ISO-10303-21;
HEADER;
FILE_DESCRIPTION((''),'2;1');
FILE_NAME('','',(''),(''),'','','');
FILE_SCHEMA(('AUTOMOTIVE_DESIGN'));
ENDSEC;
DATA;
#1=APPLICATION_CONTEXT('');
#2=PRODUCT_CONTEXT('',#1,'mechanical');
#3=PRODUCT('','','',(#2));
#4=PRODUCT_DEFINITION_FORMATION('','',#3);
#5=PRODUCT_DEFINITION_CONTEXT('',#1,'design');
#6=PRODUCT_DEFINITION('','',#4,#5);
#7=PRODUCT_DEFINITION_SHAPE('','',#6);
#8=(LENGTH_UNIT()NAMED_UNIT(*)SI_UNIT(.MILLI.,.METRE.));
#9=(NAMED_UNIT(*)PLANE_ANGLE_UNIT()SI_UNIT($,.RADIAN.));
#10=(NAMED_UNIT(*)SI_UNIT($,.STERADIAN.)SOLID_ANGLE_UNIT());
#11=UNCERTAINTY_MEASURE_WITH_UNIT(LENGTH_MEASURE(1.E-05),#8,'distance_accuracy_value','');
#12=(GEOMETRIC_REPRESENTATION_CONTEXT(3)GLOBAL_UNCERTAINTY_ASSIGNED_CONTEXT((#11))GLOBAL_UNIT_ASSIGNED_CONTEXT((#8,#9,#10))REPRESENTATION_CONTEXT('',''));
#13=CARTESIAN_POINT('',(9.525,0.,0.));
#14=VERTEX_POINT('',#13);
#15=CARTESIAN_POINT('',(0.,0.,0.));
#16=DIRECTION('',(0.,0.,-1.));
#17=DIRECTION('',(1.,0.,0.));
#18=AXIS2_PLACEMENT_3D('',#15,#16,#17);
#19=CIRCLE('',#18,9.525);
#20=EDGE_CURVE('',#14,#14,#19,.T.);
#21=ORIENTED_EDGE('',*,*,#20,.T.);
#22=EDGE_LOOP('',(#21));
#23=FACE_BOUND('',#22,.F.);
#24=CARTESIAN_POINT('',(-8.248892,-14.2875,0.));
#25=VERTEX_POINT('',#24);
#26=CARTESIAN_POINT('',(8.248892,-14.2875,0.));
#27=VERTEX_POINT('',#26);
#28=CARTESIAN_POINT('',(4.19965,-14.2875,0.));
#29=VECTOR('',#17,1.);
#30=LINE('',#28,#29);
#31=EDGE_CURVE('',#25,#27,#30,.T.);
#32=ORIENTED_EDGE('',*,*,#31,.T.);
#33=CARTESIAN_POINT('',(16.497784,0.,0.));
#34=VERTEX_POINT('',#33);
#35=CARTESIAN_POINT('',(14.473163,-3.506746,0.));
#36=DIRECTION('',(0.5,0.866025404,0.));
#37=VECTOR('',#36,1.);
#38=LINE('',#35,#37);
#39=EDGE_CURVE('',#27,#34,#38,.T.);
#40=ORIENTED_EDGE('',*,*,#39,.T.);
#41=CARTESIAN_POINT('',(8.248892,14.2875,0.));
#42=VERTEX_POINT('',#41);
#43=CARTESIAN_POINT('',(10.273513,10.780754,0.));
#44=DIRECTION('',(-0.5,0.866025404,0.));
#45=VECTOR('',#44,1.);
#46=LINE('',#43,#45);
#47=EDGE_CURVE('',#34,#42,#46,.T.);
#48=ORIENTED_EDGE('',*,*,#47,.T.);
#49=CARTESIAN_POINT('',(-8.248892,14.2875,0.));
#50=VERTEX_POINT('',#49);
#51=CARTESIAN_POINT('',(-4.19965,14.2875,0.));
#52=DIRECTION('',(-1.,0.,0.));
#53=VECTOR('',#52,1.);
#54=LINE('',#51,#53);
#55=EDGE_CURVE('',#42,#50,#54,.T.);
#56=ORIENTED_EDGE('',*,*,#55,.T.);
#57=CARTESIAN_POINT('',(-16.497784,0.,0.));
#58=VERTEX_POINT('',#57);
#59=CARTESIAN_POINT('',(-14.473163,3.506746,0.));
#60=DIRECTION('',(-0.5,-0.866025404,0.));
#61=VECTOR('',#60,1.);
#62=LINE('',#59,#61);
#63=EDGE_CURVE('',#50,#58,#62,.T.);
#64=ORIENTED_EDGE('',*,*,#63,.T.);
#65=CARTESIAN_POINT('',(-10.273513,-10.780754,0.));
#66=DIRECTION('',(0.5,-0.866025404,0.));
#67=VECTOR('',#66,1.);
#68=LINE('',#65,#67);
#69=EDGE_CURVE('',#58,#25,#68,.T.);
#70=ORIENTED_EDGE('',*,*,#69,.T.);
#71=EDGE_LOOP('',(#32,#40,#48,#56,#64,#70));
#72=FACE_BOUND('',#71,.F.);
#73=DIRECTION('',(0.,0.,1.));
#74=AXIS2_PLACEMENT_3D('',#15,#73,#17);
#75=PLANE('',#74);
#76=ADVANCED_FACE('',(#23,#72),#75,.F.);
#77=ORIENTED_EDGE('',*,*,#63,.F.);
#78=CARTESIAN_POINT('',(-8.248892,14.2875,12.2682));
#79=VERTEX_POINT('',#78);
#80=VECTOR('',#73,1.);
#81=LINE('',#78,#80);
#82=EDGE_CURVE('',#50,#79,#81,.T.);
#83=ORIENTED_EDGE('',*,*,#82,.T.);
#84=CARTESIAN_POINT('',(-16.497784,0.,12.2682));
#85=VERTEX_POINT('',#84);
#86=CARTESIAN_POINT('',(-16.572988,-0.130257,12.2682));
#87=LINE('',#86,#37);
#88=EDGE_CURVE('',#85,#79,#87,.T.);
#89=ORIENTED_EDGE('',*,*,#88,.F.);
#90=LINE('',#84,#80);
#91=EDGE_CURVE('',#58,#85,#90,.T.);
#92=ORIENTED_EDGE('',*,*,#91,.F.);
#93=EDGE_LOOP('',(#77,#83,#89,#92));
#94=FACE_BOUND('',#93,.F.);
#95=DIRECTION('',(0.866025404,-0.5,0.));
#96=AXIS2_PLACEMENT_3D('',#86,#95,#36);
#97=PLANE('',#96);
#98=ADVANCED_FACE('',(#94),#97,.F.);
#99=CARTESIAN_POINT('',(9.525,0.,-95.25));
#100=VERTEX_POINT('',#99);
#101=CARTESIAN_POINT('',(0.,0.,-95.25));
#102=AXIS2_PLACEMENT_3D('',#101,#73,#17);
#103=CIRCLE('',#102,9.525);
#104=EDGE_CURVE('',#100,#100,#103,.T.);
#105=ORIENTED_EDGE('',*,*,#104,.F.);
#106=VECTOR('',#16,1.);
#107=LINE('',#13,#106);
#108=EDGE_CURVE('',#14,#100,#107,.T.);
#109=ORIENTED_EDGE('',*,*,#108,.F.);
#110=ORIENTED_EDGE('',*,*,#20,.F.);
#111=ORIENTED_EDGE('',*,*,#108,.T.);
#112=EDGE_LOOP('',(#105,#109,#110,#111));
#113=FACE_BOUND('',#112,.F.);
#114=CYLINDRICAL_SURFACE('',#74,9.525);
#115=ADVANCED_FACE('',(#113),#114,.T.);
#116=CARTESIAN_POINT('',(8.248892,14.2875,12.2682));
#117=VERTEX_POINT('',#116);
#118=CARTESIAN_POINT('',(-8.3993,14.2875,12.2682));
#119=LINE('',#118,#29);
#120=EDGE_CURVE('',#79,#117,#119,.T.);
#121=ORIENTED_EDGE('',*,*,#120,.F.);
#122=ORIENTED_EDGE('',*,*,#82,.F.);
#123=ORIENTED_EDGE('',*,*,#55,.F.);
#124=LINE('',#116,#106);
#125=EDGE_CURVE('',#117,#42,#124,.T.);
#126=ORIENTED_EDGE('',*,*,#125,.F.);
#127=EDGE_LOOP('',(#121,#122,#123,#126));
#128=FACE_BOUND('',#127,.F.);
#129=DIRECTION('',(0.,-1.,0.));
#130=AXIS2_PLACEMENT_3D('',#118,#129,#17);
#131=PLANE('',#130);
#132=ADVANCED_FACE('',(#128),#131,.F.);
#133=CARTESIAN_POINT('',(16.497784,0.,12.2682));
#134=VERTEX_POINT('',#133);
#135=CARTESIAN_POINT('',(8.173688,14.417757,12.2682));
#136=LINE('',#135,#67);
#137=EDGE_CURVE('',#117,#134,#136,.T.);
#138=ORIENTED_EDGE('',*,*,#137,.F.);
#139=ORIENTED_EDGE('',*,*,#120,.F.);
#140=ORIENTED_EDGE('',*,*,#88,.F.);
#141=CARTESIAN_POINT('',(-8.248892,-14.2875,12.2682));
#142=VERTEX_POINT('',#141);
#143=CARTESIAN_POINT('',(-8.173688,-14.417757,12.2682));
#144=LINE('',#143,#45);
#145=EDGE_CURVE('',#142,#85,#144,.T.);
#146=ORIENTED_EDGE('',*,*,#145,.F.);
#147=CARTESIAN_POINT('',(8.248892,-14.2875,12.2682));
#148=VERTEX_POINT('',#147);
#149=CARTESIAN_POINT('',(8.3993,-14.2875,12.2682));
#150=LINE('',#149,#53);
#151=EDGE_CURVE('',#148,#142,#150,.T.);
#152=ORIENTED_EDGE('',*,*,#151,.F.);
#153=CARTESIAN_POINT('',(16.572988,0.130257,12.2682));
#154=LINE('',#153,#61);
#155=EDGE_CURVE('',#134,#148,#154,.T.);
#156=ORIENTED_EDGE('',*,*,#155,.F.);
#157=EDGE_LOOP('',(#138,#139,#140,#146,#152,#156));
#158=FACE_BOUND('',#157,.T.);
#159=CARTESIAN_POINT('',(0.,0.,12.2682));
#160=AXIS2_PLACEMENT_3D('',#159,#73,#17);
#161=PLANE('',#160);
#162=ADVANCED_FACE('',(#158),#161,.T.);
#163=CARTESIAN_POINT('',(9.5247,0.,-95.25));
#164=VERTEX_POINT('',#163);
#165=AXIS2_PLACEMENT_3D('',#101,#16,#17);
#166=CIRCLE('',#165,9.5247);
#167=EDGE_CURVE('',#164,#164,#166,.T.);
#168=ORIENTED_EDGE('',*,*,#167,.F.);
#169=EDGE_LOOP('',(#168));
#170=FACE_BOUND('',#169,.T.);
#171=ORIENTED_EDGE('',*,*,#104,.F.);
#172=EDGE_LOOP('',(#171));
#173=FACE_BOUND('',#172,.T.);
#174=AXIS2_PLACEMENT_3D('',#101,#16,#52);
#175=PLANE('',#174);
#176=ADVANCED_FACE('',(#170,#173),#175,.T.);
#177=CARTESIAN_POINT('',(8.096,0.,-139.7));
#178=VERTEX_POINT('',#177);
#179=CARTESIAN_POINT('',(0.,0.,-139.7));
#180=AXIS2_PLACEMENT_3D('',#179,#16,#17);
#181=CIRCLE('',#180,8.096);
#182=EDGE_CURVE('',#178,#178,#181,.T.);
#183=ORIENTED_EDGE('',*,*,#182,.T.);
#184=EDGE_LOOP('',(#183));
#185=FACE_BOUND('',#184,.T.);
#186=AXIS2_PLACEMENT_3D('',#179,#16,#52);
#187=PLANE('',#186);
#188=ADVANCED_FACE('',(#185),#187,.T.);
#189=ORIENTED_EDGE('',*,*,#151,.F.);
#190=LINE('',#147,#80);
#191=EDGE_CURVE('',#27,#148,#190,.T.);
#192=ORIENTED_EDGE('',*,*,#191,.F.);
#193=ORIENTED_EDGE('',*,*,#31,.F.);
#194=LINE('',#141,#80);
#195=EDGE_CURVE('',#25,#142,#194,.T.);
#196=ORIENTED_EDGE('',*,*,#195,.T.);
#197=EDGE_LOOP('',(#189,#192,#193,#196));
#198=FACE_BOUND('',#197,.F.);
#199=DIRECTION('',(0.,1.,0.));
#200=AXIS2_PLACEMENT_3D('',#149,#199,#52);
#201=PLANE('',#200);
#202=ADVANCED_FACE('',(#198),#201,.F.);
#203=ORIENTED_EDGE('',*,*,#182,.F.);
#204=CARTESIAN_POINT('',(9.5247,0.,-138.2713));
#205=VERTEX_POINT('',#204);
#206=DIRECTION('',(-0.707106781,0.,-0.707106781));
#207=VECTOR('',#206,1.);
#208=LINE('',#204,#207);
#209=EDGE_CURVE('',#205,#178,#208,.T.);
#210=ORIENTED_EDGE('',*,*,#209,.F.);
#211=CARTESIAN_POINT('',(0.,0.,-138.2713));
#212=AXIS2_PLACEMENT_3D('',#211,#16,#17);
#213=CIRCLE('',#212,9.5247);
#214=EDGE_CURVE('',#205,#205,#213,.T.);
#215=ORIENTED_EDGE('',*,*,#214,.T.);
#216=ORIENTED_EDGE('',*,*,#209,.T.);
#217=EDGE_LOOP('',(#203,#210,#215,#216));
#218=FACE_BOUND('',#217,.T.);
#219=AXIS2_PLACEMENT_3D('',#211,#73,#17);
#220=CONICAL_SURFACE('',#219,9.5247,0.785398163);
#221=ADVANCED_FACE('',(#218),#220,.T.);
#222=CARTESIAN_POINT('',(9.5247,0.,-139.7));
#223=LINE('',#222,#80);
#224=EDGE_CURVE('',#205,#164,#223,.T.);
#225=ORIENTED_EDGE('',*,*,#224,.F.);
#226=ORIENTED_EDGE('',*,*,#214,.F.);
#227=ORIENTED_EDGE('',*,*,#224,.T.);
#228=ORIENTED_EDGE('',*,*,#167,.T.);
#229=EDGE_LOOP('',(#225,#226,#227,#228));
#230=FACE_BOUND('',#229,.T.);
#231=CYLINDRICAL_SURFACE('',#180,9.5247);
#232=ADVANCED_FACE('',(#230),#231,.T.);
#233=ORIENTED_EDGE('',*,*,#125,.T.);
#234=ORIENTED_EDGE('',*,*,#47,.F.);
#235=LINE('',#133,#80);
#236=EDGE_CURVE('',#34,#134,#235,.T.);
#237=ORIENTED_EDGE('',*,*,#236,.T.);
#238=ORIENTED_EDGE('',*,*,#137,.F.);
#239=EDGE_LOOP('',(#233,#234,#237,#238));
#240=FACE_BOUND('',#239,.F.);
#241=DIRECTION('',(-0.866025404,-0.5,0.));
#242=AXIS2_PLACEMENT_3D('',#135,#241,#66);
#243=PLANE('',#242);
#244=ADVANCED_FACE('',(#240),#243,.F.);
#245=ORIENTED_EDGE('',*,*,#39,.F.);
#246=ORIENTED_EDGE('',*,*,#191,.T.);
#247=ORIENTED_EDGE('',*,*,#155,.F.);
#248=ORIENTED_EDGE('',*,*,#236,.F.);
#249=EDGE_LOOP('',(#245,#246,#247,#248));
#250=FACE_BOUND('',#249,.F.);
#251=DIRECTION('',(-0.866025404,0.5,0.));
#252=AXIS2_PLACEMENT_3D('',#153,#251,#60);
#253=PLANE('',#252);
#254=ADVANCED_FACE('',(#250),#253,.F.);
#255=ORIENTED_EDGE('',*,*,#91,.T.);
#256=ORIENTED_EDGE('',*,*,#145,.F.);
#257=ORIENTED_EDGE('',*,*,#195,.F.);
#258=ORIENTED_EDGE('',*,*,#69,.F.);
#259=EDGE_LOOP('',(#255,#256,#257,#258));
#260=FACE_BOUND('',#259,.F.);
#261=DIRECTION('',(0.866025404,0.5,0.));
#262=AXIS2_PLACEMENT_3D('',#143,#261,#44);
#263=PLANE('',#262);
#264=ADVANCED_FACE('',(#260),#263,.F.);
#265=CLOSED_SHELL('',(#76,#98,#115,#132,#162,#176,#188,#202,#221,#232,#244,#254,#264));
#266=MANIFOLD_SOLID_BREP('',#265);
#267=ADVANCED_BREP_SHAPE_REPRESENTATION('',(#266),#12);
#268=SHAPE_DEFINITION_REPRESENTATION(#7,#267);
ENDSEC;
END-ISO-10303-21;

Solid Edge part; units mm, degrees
sketch "Sketch1" plane through (0, 0, 0) normal (0, 0, 1) x (1, 0, 0)
  circle A0 centre (0, 0) radius 16.5735
  dimension "D1" = 33.147
extrude "Protrusion1" add sketch "Sketch1" along normal blind 12.2682
sketch "Sketch2" plane through (0, 0, 0) normal (0, 0, -1) x (1, 0, 0)
  circle A0 centre (0, 0) radius 9.525
extrude "Protrusion2" add sketch "Sketch2" along normal blind 139.7
sketch "Sketch3" plane through (0, 0, -139.7) normal (0, 0, -1) x (1, 0, 0)
  circle A0 centre (0, 0) radius 9.5247
extrude "Cutout1" cut sketch "Sketch3" against normal blind 44.45 flip side to cut
chamfer "Chamfer_1" distance 1.4287 angle 45 1 edges at (-9.5247, 0, -139.7)
sketch "Sketch4" plane through (0, 0, 12.2682) normal (0, 0, 1) x (1, 0, 0)
  line L0 (-8.3993, 14.2875) -> (8.3993, 14.2875)
  dimension "D1" = 28.575
extrude "Cutout2" cut sketch "Sketch4" against normal up to next material side at (0, 14.3375, 12.2682)
pattern_circular "Pattern1" count 6 over 360 about axis through (0, 0, 12.2682) along (0, 0, 1) of "Cutout2"
properties part number "24107078"
